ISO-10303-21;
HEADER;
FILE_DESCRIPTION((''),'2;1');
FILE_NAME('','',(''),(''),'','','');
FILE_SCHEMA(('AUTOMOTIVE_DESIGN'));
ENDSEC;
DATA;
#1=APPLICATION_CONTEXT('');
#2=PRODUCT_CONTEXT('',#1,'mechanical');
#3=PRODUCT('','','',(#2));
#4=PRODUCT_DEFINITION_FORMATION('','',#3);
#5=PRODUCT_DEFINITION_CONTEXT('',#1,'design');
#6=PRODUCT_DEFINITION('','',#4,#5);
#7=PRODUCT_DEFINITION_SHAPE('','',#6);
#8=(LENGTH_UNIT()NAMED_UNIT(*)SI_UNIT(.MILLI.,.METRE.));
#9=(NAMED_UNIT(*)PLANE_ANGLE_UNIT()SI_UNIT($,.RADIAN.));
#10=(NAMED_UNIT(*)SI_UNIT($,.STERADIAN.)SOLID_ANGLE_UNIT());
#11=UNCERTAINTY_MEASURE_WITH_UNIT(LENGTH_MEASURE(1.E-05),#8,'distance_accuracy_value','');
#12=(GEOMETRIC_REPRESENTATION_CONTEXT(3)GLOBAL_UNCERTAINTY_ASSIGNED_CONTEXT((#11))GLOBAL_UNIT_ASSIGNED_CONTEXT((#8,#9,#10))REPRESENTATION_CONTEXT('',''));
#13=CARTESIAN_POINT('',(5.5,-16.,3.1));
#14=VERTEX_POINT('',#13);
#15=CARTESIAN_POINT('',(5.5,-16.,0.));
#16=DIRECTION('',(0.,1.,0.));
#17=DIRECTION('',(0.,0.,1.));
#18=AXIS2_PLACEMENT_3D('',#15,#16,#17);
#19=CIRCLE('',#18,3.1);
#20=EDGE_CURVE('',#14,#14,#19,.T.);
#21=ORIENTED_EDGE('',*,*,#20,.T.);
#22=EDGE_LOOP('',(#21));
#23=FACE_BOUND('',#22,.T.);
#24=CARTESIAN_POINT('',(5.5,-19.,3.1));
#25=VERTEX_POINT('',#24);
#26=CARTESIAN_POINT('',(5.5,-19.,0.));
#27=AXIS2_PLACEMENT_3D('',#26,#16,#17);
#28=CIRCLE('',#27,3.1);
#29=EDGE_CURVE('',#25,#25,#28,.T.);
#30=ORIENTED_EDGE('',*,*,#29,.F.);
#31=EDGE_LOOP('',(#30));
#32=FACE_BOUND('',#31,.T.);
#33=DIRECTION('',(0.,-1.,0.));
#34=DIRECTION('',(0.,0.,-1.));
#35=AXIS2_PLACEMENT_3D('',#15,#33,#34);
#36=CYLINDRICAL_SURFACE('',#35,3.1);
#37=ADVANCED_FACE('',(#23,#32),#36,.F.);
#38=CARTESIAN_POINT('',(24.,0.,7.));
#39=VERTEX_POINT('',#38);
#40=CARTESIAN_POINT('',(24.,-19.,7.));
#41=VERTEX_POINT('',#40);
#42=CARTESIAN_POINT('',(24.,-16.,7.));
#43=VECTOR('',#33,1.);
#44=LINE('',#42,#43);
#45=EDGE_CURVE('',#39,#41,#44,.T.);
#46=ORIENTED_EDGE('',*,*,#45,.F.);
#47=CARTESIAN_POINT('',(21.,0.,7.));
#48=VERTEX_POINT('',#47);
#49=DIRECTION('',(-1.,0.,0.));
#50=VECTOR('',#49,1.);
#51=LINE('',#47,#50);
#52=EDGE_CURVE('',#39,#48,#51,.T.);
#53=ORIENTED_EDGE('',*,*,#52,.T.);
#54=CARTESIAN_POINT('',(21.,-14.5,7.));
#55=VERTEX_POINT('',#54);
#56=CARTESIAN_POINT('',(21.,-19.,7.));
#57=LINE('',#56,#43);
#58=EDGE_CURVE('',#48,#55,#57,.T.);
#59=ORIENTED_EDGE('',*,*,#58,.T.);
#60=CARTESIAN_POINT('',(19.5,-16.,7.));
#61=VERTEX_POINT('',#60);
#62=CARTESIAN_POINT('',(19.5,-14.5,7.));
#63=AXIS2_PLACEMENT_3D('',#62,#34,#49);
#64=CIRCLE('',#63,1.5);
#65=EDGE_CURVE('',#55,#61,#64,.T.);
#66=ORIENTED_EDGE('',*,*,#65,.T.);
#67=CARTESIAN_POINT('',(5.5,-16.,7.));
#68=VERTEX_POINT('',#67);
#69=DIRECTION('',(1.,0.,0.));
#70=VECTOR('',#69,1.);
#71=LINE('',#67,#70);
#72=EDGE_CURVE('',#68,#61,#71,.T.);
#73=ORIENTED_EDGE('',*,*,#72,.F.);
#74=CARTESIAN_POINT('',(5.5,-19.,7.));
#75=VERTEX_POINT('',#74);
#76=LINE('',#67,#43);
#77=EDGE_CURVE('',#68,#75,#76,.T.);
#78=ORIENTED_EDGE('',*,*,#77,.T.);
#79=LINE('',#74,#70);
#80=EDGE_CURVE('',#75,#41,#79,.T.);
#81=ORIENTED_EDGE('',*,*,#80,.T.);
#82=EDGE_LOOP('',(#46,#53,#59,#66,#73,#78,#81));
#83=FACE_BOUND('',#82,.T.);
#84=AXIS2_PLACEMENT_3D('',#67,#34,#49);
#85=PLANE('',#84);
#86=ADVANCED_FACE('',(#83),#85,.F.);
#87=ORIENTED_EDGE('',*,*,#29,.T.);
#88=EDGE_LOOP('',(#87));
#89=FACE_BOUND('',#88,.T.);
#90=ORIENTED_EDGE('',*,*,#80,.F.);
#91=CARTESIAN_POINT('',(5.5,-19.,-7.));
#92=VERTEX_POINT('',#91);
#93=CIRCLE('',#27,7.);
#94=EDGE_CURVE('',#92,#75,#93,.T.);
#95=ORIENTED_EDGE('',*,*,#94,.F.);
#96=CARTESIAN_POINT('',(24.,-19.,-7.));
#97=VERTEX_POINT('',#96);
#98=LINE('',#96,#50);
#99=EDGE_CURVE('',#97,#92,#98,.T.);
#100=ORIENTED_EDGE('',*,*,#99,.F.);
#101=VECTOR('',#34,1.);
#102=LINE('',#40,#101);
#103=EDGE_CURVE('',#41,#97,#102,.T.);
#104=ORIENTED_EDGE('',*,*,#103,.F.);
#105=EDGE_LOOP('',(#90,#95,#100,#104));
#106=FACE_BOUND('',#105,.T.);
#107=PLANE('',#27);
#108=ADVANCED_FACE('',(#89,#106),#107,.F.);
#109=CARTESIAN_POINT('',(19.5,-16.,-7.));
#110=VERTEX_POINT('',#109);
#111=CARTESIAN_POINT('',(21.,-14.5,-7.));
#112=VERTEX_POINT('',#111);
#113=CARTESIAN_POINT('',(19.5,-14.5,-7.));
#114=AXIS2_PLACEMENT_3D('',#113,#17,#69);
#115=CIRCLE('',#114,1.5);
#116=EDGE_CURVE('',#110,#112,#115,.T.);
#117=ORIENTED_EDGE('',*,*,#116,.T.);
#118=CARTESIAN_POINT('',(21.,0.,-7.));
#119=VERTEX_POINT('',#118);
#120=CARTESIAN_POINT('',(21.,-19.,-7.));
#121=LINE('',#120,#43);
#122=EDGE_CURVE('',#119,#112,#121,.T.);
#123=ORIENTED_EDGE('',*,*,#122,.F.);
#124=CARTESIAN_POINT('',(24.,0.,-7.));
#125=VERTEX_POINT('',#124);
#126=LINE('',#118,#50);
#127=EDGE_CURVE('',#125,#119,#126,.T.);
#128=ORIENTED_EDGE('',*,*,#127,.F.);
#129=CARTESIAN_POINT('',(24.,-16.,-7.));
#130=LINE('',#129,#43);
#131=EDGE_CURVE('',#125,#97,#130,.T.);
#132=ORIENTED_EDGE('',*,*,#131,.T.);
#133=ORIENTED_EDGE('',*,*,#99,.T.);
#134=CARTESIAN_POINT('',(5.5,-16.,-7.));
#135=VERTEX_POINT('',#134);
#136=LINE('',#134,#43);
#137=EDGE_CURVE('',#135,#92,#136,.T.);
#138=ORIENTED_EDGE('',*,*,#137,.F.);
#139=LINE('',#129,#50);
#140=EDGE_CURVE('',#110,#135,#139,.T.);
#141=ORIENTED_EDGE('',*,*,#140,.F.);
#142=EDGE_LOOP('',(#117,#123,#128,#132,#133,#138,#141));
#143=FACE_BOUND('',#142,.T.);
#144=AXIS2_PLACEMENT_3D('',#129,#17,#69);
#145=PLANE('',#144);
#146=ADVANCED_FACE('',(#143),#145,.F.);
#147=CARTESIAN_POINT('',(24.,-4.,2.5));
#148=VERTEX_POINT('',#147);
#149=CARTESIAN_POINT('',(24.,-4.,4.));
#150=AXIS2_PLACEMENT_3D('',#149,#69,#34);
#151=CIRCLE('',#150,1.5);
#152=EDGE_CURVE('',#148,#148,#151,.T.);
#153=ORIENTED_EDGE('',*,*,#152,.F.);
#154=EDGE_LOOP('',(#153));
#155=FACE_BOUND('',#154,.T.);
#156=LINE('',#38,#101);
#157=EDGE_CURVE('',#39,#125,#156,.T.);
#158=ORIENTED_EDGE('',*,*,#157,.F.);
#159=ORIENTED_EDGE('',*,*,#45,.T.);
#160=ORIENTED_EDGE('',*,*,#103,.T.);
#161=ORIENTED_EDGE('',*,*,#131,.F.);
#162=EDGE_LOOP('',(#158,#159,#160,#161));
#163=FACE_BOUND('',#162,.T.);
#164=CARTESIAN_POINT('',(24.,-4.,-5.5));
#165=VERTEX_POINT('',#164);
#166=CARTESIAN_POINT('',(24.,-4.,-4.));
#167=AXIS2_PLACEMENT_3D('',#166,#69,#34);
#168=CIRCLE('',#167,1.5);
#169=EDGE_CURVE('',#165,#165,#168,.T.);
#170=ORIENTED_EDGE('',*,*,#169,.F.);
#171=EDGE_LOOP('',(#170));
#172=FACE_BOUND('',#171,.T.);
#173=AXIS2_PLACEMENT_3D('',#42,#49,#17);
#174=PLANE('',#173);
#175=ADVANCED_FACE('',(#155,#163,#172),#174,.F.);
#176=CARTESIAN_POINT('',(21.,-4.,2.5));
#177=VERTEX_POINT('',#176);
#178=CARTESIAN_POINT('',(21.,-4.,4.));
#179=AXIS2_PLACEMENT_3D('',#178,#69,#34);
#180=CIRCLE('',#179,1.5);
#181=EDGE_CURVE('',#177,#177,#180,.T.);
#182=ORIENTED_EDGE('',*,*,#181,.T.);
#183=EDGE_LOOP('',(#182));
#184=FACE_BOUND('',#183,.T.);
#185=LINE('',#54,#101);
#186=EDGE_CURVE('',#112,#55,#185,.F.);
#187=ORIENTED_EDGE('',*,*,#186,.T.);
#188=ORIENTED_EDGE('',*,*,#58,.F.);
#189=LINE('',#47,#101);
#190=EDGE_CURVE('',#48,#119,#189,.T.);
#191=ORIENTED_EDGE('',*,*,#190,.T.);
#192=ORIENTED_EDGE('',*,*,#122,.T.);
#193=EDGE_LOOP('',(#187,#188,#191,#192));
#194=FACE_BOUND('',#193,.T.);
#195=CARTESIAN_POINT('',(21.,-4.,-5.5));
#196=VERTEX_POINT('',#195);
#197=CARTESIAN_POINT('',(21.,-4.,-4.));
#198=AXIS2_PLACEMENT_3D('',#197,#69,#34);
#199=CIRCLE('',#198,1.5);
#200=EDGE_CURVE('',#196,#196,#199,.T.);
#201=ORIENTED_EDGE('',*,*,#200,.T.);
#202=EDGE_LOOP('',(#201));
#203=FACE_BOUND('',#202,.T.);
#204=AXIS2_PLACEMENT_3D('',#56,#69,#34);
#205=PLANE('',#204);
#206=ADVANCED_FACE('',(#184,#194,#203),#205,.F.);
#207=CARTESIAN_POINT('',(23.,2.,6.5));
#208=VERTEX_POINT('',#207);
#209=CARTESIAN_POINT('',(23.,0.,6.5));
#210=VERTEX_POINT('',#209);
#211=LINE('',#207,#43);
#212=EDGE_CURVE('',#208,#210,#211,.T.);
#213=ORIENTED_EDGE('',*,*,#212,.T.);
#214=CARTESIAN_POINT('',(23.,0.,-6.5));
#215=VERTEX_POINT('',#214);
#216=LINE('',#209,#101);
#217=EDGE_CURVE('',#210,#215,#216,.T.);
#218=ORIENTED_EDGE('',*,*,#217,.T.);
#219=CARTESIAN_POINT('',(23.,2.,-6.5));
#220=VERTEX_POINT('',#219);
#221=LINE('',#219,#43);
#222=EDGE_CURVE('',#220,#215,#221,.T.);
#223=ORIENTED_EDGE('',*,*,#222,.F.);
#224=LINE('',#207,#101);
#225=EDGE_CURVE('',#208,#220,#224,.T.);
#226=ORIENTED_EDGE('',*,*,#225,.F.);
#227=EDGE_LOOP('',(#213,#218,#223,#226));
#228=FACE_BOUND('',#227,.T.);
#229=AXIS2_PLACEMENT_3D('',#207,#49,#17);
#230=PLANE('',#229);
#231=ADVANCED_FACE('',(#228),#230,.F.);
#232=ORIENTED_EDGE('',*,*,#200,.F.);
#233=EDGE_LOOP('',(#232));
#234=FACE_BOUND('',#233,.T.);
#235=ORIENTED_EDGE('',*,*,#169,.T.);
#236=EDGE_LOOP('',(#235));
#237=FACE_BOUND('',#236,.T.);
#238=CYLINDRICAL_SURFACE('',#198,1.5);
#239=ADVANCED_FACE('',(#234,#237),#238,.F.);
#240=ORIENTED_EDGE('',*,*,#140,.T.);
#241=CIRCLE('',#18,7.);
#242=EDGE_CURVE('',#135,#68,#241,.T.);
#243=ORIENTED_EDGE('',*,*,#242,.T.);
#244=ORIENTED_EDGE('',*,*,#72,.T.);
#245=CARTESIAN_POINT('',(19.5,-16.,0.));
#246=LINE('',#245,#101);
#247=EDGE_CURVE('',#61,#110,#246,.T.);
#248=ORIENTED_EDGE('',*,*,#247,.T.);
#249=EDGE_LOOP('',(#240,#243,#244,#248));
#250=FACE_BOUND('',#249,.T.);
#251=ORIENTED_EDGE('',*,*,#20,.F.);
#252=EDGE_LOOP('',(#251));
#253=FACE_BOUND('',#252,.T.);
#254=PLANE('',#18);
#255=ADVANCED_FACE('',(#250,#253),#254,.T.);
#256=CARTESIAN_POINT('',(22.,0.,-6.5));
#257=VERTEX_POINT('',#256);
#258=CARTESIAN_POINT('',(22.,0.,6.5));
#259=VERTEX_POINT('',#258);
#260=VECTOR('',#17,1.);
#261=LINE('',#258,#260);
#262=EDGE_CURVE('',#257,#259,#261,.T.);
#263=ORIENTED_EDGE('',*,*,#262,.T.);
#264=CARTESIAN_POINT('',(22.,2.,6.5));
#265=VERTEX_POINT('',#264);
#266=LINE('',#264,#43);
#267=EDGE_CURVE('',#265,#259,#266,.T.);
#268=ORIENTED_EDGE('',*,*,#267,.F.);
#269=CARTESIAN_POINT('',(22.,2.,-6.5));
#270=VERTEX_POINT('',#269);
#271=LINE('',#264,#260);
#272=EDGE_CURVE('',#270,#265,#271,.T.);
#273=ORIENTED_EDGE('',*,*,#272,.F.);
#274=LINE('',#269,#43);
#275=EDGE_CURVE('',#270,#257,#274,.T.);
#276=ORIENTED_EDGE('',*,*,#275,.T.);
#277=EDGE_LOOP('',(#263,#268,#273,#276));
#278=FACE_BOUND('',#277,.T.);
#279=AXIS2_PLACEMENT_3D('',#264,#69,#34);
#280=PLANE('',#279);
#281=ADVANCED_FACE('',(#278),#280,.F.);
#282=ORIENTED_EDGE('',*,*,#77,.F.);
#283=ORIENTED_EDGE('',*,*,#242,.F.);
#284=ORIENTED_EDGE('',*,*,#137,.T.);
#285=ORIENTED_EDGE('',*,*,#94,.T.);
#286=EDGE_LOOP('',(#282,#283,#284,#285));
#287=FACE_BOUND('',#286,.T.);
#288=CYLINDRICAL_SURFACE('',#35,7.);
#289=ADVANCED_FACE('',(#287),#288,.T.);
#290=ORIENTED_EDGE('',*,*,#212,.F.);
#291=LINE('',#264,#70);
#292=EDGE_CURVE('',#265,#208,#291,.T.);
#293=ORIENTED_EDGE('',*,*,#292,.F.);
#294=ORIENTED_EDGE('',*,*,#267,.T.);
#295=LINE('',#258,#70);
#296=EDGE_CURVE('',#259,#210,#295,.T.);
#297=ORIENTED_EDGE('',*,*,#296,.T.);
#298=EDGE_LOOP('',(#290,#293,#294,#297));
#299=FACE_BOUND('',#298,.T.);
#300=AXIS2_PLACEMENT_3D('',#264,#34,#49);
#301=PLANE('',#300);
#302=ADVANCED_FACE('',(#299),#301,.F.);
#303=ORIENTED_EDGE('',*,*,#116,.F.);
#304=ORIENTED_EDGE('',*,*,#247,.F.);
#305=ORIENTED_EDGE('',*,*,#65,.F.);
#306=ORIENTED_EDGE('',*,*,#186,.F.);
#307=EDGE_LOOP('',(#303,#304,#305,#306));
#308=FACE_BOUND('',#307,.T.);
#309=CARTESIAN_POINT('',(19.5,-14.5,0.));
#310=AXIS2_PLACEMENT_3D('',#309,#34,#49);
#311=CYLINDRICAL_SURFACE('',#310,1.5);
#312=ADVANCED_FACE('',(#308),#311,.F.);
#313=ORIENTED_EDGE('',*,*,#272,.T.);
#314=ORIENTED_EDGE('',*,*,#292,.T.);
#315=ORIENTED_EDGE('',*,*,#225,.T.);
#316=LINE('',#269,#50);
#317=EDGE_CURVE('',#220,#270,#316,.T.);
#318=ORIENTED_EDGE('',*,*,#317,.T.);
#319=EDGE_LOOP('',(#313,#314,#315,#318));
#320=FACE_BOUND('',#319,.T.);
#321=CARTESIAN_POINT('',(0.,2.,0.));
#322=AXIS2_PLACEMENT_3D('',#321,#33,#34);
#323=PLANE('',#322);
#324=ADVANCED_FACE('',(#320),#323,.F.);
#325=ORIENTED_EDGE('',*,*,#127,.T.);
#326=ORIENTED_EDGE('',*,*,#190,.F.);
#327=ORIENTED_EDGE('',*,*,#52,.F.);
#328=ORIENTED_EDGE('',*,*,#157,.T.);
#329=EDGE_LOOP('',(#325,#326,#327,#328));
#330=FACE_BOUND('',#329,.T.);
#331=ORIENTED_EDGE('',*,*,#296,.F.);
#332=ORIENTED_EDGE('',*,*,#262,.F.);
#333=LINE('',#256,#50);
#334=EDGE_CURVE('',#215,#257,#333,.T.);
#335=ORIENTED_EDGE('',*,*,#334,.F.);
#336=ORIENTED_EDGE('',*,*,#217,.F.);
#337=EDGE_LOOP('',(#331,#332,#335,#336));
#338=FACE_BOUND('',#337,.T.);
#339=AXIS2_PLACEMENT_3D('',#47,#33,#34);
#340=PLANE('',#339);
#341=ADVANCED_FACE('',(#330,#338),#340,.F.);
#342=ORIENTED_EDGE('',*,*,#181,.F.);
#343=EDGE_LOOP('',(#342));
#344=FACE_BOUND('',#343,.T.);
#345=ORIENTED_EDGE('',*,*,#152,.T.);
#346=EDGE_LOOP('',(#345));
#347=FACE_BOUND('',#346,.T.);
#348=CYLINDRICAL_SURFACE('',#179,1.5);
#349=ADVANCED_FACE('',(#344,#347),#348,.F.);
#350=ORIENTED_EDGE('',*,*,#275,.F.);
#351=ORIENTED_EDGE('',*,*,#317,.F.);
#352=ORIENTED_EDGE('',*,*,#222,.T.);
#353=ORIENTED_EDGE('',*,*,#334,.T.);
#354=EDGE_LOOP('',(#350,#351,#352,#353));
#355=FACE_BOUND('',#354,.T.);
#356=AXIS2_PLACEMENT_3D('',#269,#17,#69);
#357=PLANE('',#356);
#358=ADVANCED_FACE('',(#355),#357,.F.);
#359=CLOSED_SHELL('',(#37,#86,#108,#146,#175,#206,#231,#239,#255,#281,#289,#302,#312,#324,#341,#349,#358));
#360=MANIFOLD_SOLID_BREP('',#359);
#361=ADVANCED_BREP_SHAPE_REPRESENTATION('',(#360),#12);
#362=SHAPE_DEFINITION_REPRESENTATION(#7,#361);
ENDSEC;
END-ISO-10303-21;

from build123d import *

# Parameters (mm, degrees)
BOSS_EXTRUDE1_DEPTH = 3
SKETCH2_W           = 3
SKETCH2_H           = 19
BOSS_EXTRUDE2_DEPTH = 7
SKETCH3_W           = 1
SKETCH3_H           = 13
BOSS_EXTRUDE3_DEPTH = 2
SKETCH4_R           = 3.1
CUT_EXTRUDE2_DEPTH  = 3
SKETCH5_R           = 1.5
CUT_EXTRUDE3_DEPTH  = 3
FILLET1_R           = 1.5


with BuildPart() as part:
    # Sketch1 → Boss-Extrude1 (new body)
    with BuildSketch(Plane(origin=(0, -19, 0), x_dir=(1, 0, 0), z_dir=(0, 1, 0))):
        with BuildLine():
            Line((5.5, -7), (24, -7))
            Line((24, -7), (24, 7))
            Line((24, 7), (5.5, 7))
            ThreePointArc((5.5, 7), (-1.5, 0), (5.5, -7))
        make_face()
    extrude(amount=BOSS_EXTRUDE1_DEPTH)

    # Sketch2 → Boss-Extrude2 (add, symmetric)
    with BuildSketch(Plane.XY):
        with Locations((22.5, -9.5)):
            Rectangle(SKETCH2_W, SKETCH2_H)
    extrude(amount=BOSS_EXTRUDE2_DEPTH, both=True)

    # Sketch3 → Boss-Extrude3 (add)
    with BuildSketch(Plane(origin=(0, 0, 0), x_dir=(1, 0, 0), z_dir=(0, 1, 0))):
        with Locations((22.5, 0)):
            Rectangle(SKETCH3_W, SKETCH3_H)
    extrude(amount=BOSS_EXTRUDE3_DEPTH)

    # Sketch4 → Cut-Extrude2 (cut)
    with BuildSketch(Plane(origin=(0, -19, 0), x_dir=(1, 0, 0), z_dir=(0, 1, 0))):
        with Locations(Location((5.5, 0, 0), (0, 0, 270))):
            Circle(SKETCH4_R)
    extrude(amount=CUT_EXTRUDE2_DEPTH, mode=Mode.SUBTRACT)

    # Sketch5 → Cut-Extrude3 (cut)
    with BuildSketch(Plane(origin=(24, 0, 0), x_dir=(0, 0, -1), z_dir=(1, 0, 0))):
        with Locations((-4, -4)):
            Circle(SKETCH5_R)
        with Locations((4, -4)):
            Circle(SKETCH5_R)
    extrude(amount=-CUT_EXTRUDE3_DEPTH, mode=Mode.SUBTRACT)

    # Fillet1
    fillet1_edges = [part.edges().sort_by_distance(p)[0] for p in [
        (21, -16, 0),
    ]]
    fillet(fillet1_edges, radius=FILLET1_R)


solid = part.part
